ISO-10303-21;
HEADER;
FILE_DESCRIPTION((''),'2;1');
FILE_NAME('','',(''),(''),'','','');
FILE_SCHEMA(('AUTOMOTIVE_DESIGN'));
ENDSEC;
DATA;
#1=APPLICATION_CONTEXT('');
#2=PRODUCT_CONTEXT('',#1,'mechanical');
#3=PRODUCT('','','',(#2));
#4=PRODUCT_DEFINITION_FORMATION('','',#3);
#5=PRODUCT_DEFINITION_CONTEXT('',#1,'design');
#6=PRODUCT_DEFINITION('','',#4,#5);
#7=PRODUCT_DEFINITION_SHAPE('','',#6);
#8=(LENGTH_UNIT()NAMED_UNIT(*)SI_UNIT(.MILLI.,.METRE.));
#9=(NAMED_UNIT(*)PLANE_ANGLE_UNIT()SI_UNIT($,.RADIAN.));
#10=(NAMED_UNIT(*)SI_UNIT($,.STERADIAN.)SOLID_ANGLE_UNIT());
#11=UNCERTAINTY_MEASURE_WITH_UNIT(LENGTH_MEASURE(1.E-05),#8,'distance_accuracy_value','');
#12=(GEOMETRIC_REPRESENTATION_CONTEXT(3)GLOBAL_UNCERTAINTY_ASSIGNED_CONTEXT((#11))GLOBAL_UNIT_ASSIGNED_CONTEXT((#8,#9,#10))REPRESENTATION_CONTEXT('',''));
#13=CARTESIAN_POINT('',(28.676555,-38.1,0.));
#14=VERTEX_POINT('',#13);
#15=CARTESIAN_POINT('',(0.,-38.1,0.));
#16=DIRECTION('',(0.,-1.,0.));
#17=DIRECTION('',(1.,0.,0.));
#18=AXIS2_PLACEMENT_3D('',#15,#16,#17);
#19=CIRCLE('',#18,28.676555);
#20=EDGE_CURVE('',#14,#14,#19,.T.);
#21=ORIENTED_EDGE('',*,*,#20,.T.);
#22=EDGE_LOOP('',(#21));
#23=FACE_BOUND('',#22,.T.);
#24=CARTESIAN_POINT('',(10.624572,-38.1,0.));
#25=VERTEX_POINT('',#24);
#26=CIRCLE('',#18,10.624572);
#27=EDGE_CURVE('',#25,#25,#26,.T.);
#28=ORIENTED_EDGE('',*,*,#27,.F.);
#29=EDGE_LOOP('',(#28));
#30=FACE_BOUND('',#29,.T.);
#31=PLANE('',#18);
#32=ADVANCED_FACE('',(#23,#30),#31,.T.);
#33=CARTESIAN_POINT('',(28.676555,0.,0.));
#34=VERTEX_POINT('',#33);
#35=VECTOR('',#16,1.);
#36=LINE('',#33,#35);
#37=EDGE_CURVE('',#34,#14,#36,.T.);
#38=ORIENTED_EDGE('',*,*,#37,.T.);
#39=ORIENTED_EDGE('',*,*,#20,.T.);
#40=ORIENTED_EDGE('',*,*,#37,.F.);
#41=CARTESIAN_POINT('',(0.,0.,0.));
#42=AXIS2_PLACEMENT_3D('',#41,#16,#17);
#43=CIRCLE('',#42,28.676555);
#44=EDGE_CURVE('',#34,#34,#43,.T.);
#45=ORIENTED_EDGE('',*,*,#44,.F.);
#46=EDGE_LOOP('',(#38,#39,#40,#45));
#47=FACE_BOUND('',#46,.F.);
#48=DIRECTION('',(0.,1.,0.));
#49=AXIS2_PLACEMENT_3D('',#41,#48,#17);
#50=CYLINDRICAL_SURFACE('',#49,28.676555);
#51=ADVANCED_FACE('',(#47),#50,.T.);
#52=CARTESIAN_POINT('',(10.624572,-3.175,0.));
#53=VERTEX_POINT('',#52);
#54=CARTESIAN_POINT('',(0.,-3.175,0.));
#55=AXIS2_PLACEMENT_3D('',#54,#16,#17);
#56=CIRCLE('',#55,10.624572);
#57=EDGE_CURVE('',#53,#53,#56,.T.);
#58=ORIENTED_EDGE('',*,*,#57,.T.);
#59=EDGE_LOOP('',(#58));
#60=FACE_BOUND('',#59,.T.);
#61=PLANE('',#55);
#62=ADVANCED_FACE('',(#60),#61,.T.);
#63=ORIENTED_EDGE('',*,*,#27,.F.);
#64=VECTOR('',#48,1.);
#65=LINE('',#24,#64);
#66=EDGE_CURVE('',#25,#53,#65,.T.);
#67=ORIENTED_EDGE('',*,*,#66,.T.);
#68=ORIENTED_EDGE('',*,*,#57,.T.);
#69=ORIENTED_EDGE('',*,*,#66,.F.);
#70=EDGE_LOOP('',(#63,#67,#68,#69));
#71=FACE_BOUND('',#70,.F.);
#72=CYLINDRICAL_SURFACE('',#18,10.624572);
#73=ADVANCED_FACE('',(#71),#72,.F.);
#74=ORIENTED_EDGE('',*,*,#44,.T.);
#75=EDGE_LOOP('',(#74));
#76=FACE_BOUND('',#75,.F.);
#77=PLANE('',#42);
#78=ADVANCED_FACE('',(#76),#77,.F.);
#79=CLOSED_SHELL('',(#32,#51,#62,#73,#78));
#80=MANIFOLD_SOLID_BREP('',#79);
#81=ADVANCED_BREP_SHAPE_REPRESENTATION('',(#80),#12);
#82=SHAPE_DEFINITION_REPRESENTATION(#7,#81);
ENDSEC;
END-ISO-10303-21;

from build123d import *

# Parameters (mm, degrees)
F0_R     = 28.676555
F1_DEPTH = 38.1
F2_R     = 10.624572
F2_R_2   = 8.961837
F3_DEPTH = 34.925


with BuildPart() as f1:
    # F0 (on Front) → F1 (new body)
    with BuildSketch(Plane.XZ):
        Circle(F0_R)
    extrude(amount=F1_DEPTH)

    # F2 (on face) → F3 (cut)
    with BuildSketch(Plane.XZ.offset(38.1)):
        Circle(F2_R)
        Circle(F2_R_2, mode=Mode.SUBTRACT)
        Circle(F2_R_2)
    extrude(amount=-F3_DEPTH, mode=Mode.SUBTRACT)


solid = f1.part
